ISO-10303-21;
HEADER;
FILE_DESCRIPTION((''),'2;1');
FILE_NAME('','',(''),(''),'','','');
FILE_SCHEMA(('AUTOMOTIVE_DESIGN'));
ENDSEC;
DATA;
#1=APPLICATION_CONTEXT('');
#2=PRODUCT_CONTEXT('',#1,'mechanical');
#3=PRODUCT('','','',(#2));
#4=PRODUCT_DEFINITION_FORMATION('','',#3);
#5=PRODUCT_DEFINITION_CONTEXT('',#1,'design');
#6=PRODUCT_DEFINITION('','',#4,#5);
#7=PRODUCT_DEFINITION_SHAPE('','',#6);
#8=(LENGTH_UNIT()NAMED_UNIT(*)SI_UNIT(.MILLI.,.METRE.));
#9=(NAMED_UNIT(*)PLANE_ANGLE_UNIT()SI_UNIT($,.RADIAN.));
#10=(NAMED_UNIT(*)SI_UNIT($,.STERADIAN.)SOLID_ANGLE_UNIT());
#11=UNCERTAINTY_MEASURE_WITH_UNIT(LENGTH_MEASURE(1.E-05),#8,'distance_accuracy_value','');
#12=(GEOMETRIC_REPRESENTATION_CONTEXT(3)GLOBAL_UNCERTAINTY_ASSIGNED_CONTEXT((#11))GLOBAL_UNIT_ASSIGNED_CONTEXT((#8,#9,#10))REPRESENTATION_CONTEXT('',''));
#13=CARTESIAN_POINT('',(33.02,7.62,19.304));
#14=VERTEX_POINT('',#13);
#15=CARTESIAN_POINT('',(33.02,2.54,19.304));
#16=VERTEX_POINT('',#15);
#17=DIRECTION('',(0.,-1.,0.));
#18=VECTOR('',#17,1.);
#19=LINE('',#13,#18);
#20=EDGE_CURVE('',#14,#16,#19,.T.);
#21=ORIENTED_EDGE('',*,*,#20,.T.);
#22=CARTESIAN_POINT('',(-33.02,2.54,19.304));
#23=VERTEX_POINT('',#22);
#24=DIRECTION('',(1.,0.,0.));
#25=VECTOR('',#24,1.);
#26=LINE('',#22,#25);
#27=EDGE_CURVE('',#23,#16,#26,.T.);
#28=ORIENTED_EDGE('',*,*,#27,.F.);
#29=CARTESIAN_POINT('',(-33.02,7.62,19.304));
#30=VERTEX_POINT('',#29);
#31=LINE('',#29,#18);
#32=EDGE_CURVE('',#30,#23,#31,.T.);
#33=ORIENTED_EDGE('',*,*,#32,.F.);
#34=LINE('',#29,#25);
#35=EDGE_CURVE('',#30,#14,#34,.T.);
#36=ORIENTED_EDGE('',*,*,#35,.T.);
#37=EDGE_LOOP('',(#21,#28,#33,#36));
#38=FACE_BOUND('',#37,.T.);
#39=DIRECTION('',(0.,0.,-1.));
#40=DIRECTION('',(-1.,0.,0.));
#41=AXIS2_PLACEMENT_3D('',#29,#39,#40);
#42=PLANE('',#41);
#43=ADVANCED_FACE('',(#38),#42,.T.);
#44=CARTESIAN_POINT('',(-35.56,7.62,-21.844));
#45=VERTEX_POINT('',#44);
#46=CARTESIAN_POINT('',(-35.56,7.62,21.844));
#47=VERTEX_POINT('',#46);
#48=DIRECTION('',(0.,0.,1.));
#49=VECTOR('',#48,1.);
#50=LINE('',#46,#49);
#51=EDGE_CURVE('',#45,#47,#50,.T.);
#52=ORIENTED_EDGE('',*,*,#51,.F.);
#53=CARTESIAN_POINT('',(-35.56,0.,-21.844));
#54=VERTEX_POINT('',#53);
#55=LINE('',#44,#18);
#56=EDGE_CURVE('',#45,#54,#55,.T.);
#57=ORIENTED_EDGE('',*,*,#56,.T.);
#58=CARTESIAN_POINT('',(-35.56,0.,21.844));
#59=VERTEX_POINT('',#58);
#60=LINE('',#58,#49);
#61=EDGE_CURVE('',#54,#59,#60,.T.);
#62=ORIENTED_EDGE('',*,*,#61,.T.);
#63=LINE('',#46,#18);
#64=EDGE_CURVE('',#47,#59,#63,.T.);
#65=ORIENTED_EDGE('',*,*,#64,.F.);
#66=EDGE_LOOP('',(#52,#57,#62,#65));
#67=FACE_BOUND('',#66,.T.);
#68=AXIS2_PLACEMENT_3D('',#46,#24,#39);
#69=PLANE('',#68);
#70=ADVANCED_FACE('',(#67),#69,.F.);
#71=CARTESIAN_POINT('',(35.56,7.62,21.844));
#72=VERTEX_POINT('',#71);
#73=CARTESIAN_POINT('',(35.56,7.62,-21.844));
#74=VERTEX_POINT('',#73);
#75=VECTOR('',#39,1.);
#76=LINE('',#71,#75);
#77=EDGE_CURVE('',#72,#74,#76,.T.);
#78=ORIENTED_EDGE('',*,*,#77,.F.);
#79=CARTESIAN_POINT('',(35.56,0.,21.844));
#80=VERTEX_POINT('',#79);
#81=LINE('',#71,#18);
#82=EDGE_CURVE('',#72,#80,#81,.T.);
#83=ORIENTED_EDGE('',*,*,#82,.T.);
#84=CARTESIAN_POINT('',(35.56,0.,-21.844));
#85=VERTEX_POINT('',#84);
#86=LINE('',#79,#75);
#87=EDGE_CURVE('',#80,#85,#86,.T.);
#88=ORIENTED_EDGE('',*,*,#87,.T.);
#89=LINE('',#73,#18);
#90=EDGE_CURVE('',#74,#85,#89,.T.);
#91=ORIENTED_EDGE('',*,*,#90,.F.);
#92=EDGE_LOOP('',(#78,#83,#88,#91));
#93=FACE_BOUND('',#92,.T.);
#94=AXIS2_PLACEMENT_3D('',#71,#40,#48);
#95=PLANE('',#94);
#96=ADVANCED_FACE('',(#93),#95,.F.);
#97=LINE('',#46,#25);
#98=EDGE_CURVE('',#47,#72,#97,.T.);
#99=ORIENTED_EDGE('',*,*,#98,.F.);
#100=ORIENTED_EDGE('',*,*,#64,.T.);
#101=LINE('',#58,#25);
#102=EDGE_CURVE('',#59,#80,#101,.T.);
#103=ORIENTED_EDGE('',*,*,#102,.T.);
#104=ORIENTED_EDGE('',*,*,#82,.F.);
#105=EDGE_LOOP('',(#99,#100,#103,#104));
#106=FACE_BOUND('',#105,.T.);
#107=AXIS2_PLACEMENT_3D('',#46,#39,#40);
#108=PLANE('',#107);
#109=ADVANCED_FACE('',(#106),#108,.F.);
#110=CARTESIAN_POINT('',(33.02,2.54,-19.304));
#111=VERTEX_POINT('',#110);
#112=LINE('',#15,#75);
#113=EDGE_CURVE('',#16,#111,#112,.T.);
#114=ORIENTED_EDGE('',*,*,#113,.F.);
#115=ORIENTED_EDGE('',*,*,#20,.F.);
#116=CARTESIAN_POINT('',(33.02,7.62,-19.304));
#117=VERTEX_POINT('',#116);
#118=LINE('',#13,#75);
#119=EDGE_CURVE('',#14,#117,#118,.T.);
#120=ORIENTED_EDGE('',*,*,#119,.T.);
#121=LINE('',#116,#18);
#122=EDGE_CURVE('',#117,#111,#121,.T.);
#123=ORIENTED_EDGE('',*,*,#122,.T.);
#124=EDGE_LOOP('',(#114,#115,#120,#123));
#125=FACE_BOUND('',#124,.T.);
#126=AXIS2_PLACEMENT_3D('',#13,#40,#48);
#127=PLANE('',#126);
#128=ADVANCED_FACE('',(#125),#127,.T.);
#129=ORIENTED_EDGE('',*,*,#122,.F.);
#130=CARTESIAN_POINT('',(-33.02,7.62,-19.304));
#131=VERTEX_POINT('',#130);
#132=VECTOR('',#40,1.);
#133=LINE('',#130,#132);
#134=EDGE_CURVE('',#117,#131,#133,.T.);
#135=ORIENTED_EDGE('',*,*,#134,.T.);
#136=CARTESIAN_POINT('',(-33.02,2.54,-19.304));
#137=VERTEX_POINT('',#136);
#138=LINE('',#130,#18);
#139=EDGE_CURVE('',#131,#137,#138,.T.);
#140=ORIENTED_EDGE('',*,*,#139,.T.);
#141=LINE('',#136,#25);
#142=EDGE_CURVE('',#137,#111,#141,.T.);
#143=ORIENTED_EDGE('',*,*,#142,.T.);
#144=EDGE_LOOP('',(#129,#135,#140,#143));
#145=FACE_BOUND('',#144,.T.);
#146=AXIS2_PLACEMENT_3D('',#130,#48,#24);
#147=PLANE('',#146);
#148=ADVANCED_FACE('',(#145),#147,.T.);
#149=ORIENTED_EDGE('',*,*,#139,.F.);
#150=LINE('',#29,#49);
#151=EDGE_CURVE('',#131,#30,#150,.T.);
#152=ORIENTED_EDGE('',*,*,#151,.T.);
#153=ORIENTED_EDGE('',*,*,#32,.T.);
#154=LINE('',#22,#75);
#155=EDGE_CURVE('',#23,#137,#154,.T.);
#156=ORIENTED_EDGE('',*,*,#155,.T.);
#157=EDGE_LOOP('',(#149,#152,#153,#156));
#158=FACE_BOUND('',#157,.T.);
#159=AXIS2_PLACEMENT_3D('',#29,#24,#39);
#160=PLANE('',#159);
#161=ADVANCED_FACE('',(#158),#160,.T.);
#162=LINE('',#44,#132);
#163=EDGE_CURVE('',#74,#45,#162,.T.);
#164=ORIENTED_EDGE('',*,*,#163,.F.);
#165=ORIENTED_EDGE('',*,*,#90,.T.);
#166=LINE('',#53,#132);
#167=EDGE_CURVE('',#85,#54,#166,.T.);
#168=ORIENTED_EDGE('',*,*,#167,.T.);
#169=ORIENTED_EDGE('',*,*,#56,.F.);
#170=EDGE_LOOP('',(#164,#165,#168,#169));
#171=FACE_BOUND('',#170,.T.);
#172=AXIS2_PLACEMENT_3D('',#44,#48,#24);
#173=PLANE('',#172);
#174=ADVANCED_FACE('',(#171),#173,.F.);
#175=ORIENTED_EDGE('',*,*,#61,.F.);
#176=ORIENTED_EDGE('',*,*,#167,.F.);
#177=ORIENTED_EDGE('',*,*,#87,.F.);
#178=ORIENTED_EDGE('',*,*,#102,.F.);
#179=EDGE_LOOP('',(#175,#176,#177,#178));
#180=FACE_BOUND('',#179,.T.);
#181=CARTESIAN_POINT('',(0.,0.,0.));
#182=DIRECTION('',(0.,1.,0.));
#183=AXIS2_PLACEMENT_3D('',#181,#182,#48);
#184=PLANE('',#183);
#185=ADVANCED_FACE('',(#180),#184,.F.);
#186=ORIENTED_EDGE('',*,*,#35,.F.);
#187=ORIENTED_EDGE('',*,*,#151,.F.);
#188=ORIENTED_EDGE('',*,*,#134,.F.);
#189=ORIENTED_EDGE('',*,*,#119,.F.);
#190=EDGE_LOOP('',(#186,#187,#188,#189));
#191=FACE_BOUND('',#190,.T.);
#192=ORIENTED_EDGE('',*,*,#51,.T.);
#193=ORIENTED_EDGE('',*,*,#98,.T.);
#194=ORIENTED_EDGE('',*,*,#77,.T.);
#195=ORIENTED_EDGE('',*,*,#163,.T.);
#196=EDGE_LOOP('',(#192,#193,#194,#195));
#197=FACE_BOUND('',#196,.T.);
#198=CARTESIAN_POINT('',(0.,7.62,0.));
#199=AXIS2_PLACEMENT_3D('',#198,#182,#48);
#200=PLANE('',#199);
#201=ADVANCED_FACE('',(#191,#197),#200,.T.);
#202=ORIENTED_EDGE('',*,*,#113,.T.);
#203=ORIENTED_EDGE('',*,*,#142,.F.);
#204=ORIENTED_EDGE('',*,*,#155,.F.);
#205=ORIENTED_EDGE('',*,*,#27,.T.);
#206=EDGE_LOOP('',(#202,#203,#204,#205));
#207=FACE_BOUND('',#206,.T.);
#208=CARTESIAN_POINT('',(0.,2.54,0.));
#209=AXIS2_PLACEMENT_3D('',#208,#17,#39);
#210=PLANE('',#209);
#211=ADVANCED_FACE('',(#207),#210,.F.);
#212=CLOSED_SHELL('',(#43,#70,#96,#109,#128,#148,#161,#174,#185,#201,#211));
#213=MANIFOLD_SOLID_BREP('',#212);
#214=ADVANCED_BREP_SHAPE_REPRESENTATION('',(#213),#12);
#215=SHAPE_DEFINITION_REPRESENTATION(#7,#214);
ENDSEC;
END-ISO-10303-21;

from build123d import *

# Parameters (mm, degrees)
SKETCH1_W           = 71.12
SKETCH1_H           = 43.688
SKETCH1_W_2         = 66.04
SKETCH1_H_2         = 38.608
BOSS_EXTRUDE1_DEPTH = 7.62
SKETCH1_2_W         = 66.04
SKETCH1_2_H         = 38.608
BOSS_EXTRUDE2_DEPTH = 2.54


with BuildPart() as part:
    # Sketch1 → Boss-Extrude1 (new body)
    with BuildSketch(Plane(origin=(0, 0, 0), x_dir=(1, 0, 0), z_dir=(0, 1, 0))):
        Rectangle(SKETCH1_W, SKETCH1_H)
        Rectangle(SKETCH1_W_2, SKETCH1_H_2, mode=Mode.SUBTRACT)
    extrude(amount=BOSS_EXTRUDE1_DEPTH)

    # Sketch1<2> → Boss-Extrude2 (add)
    with BuildSketch(Plane(origin=(0, 0, 0), x_dir=(1, 0, 0), z_dir=(0, 1, 0))):
        Rectangle(SKETCH1_2_W, SKETCH1_2_H)
    extrude(amount=BOSS_EXTRUDE2_DEPTH)


solid = part.part
